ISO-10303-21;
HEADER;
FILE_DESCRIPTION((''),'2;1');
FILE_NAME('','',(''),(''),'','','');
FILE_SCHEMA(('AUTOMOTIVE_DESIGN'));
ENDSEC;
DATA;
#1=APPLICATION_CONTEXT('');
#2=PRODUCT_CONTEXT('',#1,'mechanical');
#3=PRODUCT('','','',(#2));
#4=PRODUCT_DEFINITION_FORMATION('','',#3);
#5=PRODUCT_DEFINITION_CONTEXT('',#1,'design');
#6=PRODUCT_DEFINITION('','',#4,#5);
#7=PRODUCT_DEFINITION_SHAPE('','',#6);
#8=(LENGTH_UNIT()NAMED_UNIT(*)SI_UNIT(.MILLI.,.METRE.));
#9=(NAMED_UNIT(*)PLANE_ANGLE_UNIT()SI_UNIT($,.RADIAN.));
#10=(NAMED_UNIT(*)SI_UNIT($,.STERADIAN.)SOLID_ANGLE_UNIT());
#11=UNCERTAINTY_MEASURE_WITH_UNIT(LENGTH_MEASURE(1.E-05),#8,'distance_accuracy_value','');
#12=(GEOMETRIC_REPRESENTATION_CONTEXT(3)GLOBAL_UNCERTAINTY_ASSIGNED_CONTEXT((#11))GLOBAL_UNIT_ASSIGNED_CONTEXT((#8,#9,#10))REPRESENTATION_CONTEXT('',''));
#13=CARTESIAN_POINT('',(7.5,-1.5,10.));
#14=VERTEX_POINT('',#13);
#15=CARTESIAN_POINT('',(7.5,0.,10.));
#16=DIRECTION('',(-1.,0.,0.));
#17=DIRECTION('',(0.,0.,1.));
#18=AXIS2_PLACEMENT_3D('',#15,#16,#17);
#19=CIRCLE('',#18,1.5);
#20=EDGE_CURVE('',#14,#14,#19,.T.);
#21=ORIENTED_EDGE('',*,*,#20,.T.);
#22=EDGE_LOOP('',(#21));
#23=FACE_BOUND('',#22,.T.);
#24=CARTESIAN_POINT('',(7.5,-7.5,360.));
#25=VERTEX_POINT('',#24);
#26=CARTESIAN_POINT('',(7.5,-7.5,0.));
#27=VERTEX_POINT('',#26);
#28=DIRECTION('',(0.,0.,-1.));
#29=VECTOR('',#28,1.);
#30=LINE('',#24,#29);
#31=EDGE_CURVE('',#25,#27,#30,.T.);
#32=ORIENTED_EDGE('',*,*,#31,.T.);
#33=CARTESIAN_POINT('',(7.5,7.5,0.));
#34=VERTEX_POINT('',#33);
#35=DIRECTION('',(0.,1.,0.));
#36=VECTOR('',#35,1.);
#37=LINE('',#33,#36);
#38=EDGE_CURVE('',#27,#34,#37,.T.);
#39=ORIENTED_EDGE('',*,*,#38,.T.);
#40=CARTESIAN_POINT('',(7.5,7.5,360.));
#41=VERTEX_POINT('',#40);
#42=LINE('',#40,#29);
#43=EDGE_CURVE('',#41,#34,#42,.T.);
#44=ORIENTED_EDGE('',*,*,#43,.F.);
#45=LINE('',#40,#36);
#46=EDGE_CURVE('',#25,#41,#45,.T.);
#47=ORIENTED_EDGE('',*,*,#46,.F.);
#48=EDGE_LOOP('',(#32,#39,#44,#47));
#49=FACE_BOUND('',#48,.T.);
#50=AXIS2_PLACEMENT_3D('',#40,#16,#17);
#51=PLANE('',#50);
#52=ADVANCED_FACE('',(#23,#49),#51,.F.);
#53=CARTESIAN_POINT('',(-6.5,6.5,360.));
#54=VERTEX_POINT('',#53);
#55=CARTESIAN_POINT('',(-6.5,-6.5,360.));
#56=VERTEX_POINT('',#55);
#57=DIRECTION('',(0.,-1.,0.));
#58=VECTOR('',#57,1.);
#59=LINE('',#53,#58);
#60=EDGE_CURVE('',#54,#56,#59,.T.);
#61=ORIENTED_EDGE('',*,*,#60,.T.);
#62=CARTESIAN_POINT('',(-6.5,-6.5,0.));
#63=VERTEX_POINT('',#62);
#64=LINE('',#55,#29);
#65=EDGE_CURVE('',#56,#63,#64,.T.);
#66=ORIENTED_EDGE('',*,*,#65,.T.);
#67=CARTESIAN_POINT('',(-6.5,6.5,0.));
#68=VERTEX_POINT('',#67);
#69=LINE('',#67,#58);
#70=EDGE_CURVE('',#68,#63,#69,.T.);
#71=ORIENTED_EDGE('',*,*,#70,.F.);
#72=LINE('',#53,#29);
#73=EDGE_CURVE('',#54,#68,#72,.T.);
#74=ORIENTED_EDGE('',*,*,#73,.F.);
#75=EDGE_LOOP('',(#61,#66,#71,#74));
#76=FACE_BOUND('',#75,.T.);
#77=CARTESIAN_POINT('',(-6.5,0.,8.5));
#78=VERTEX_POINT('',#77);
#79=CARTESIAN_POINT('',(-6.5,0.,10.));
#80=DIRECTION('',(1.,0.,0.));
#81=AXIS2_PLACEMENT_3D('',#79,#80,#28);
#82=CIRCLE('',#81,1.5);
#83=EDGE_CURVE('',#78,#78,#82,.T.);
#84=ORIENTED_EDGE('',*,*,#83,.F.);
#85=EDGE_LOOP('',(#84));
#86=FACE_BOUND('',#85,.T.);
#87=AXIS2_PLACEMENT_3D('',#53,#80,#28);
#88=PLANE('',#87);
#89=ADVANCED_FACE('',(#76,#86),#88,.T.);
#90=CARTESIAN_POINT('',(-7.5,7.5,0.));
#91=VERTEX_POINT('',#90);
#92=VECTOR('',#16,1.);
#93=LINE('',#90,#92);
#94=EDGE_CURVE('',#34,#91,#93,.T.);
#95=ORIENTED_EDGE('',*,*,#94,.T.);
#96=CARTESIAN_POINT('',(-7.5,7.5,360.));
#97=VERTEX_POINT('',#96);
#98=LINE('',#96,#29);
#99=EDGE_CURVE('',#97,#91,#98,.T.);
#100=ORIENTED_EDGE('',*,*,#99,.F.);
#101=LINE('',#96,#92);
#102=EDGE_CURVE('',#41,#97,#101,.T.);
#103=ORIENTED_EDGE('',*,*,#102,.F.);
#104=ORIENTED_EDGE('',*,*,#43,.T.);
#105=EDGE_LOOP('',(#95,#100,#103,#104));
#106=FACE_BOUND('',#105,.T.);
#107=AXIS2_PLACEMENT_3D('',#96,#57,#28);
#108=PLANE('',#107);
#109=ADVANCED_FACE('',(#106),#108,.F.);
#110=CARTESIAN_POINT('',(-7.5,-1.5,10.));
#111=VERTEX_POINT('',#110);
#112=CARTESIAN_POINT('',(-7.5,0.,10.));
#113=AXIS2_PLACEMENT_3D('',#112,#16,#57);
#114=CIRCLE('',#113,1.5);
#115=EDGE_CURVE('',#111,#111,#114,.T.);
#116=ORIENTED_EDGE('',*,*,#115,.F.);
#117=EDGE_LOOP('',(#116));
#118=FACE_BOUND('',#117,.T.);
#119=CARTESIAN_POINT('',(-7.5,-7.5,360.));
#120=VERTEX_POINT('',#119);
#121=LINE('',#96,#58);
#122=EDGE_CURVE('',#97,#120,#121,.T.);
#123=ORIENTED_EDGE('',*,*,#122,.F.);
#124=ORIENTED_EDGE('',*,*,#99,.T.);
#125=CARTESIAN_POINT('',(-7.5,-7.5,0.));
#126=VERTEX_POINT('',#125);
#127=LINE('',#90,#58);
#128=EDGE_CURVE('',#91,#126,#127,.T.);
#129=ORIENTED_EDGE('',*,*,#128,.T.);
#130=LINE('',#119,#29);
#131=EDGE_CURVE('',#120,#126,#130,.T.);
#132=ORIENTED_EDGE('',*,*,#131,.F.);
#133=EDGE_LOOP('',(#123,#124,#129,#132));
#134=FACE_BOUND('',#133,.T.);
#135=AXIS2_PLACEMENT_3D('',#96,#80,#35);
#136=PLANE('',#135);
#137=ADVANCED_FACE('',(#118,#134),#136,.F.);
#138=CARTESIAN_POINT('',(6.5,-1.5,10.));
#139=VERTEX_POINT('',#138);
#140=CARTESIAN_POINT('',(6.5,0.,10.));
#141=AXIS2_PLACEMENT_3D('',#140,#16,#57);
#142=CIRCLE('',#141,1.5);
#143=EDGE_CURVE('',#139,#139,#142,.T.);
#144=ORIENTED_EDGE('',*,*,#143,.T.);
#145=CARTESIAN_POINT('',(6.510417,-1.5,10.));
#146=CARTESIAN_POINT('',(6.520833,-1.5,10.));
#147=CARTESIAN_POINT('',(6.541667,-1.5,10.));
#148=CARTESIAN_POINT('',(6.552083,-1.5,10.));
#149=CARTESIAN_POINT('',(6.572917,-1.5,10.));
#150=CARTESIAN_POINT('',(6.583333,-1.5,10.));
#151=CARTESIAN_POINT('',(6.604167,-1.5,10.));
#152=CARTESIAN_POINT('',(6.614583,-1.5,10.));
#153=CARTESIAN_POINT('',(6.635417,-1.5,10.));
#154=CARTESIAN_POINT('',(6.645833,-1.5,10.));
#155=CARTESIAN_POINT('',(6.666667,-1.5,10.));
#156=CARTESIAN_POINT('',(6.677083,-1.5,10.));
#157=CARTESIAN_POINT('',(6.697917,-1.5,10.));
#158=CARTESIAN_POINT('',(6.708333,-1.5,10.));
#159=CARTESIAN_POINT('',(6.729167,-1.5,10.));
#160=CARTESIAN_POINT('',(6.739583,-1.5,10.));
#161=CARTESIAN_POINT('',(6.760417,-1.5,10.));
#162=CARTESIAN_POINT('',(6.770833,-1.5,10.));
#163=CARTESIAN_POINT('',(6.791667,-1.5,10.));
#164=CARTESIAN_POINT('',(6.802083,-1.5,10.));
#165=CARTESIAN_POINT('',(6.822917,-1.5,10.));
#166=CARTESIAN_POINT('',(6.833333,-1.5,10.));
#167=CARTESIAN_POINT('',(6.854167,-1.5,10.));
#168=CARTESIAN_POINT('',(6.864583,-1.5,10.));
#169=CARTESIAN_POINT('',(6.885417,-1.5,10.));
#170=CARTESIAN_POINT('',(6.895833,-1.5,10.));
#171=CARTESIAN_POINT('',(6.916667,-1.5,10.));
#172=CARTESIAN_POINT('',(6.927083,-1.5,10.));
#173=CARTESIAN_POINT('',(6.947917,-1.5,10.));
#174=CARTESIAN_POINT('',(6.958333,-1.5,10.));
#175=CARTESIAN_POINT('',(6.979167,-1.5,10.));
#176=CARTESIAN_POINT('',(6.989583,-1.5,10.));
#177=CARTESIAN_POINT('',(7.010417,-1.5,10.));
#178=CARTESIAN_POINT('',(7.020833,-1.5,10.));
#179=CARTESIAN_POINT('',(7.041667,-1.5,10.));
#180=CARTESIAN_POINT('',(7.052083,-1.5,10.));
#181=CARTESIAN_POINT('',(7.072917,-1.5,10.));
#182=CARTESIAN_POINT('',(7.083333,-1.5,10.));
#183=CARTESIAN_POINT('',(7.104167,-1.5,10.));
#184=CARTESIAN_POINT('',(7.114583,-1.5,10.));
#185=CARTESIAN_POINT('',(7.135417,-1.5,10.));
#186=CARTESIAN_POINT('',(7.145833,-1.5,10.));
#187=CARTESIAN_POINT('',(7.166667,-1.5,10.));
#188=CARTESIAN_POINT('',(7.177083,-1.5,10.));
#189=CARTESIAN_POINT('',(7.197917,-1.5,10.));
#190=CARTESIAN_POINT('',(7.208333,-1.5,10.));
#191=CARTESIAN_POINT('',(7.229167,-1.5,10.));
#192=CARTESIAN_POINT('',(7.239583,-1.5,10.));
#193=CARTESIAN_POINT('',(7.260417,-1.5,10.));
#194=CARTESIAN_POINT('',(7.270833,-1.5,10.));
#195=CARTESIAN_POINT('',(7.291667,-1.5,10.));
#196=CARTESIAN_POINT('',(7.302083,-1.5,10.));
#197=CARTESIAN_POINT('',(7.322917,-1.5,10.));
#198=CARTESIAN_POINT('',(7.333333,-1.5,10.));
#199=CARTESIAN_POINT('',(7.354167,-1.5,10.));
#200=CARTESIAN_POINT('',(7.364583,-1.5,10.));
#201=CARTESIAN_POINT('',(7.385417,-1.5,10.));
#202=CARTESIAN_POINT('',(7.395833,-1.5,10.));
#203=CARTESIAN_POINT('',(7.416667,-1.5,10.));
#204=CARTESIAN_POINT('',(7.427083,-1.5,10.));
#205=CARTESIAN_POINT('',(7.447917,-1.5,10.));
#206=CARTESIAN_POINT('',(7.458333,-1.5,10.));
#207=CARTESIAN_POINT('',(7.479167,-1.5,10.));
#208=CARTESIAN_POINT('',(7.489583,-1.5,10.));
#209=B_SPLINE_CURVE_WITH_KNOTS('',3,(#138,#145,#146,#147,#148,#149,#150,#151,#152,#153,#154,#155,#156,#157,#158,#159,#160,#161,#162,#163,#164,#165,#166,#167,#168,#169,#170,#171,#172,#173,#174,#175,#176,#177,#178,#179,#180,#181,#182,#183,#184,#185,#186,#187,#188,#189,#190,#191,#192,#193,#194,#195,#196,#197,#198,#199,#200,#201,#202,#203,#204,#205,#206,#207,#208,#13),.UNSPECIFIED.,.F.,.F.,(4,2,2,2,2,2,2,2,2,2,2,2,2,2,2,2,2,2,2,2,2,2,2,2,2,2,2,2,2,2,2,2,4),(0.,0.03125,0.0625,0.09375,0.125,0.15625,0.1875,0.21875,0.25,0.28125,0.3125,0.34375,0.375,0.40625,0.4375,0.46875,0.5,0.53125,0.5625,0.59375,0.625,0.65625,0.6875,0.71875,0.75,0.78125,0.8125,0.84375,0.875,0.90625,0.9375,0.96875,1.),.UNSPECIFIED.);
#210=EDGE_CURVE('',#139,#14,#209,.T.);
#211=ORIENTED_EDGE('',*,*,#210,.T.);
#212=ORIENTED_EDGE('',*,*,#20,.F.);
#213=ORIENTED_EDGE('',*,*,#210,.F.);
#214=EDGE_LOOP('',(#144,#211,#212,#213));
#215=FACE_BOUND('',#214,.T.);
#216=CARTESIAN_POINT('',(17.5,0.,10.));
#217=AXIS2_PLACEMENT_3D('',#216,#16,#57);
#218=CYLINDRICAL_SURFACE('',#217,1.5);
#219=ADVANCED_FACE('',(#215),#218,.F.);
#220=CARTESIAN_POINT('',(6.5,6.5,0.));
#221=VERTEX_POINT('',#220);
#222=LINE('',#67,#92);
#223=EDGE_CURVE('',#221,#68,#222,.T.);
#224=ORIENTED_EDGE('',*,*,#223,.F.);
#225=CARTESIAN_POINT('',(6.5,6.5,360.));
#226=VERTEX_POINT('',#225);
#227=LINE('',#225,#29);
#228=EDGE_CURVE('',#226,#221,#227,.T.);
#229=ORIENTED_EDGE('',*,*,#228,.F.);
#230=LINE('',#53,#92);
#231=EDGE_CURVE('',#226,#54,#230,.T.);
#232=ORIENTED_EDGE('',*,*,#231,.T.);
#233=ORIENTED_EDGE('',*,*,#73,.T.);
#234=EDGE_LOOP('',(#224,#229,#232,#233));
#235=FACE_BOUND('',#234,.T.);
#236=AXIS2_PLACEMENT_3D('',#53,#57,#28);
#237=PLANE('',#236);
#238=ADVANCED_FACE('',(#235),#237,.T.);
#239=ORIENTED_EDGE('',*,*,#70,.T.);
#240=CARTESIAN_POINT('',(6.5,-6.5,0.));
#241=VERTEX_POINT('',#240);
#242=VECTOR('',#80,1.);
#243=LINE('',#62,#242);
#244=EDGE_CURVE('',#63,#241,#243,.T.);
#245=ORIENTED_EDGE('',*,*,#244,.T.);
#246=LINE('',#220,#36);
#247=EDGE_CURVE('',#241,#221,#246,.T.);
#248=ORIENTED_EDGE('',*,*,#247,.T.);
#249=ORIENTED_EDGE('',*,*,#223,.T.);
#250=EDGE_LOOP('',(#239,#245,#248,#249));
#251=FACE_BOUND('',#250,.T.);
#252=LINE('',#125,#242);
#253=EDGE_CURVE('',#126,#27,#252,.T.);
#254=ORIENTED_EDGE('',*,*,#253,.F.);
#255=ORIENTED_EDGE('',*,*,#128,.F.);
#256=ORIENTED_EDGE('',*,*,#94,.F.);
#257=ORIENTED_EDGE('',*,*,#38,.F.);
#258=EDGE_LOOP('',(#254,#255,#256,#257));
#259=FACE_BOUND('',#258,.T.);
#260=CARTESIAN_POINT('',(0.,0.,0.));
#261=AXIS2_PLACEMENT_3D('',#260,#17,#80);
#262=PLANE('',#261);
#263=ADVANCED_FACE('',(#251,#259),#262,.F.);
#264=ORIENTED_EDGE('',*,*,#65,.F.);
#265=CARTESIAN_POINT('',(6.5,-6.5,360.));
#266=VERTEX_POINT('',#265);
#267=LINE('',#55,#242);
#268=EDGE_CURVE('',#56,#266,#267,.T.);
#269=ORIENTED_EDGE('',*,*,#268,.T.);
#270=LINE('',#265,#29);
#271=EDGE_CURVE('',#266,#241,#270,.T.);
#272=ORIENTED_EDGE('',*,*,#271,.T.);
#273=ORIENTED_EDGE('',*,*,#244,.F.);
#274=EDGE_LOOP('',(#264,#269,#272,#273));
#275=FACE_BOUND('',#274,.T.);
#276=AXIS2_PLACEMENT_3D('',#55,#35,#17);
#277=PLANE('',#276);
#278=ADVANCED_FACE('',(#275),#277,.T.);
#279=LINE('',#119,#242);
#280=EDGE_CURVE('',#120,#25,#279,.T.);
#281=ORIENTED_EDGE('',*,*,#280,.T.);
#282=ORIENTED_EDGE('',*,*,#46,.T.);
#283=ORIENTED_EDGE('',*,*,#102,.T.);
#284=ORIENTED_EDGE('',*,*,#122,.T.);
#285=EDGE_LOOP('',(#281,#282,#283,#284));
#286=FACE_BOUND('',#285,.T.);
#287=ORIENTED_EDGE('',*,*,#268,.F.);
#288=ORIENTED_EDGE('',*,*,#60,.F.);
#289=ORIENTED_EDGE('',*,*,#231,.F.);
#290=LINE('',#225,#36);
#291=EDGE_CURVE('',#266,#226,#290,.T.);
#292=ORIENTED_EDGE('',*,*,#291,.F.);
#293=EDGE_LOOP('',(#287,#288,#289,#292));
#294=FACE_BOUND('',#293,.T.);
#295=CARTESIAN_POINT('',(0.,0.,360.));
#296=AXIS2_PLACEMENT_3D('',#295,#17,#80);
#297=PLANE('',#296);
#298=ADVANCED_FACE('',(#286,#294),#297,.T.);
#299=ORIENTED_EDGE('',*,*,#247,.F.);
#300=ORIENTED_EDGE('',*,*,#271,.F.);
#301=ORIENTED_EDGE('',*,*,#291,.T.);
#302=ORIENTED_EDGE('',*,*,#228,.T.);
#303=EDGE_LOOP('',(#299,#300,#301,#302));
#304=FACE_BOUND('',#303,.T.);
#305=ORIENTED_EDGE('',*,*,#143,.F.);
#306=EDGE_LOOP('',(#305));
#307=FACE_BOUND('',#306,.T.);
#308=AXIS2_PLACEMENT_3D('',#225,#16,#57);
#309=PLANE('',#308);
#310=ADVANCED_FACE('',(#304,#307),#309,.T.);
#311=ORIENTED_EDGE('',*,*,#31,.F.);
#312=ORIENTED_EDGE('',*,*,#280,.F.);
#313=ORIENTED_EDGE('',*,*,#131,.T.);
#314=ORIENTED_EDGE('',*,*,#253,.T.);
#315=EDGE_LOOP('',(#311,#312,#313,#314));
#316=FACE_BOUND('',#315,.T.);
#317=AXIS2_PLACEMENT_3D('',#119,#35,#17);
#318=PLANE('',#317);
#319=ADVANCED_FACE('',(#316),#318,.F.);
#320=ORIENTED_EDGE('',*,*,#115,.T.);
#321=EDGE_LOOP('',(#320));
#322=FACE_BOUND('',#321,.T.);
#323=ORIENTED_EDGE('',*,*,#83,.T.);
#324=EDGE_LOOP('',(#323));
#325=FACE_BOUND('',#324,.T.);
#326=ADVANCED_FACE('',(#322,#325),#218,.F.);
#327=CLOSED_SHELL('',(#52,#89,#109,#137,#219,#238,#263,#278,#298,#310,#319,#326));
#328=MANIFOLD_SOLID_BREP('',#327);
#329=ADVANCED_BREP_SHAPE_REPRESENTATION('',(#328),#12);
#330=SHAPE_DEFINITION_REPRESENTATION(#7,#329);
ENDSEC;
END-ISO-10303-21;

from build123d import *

# Parameters (mm, degrees)
SKETCH_1_W          = 15
SKETCH_1_H          = 15
SKETCH_1_W_2        = 13
SKETCH_1_H_2        = 13
EXTRUDE_1_DEPTH     = 360
SKETCH_2_R          = 1.5
CUT_EXTRUDE_1_DEPTH = 25


with BuildPart() as part:
    # 草图1 → 凸台-拉伸1 (new body)
    with BuildSketch(Plane.XY):
        Rectangle(SKETCH_1_W, SKETCH_1_H)
        Rectangle(SKETCH_1_W_2, SKETCH_1_H_2, mode=Mode.SUBTRACT)
    extrude(amount=EXTRUDE_1_DEPTH)

    # 草图2 → 切除-拉伸1 (cut)
    with BuildSketch(Plane.ZY.offset(7.5)):
        with Locations(Location((10, 0, 0), (0, 0, 270))):
            Circle(SKETCH_2_R)
    extrude(amount=-CUT_EXTRUDE_1_DEPTH, mode=Mode.SUBTRACT)


solid = part.part
